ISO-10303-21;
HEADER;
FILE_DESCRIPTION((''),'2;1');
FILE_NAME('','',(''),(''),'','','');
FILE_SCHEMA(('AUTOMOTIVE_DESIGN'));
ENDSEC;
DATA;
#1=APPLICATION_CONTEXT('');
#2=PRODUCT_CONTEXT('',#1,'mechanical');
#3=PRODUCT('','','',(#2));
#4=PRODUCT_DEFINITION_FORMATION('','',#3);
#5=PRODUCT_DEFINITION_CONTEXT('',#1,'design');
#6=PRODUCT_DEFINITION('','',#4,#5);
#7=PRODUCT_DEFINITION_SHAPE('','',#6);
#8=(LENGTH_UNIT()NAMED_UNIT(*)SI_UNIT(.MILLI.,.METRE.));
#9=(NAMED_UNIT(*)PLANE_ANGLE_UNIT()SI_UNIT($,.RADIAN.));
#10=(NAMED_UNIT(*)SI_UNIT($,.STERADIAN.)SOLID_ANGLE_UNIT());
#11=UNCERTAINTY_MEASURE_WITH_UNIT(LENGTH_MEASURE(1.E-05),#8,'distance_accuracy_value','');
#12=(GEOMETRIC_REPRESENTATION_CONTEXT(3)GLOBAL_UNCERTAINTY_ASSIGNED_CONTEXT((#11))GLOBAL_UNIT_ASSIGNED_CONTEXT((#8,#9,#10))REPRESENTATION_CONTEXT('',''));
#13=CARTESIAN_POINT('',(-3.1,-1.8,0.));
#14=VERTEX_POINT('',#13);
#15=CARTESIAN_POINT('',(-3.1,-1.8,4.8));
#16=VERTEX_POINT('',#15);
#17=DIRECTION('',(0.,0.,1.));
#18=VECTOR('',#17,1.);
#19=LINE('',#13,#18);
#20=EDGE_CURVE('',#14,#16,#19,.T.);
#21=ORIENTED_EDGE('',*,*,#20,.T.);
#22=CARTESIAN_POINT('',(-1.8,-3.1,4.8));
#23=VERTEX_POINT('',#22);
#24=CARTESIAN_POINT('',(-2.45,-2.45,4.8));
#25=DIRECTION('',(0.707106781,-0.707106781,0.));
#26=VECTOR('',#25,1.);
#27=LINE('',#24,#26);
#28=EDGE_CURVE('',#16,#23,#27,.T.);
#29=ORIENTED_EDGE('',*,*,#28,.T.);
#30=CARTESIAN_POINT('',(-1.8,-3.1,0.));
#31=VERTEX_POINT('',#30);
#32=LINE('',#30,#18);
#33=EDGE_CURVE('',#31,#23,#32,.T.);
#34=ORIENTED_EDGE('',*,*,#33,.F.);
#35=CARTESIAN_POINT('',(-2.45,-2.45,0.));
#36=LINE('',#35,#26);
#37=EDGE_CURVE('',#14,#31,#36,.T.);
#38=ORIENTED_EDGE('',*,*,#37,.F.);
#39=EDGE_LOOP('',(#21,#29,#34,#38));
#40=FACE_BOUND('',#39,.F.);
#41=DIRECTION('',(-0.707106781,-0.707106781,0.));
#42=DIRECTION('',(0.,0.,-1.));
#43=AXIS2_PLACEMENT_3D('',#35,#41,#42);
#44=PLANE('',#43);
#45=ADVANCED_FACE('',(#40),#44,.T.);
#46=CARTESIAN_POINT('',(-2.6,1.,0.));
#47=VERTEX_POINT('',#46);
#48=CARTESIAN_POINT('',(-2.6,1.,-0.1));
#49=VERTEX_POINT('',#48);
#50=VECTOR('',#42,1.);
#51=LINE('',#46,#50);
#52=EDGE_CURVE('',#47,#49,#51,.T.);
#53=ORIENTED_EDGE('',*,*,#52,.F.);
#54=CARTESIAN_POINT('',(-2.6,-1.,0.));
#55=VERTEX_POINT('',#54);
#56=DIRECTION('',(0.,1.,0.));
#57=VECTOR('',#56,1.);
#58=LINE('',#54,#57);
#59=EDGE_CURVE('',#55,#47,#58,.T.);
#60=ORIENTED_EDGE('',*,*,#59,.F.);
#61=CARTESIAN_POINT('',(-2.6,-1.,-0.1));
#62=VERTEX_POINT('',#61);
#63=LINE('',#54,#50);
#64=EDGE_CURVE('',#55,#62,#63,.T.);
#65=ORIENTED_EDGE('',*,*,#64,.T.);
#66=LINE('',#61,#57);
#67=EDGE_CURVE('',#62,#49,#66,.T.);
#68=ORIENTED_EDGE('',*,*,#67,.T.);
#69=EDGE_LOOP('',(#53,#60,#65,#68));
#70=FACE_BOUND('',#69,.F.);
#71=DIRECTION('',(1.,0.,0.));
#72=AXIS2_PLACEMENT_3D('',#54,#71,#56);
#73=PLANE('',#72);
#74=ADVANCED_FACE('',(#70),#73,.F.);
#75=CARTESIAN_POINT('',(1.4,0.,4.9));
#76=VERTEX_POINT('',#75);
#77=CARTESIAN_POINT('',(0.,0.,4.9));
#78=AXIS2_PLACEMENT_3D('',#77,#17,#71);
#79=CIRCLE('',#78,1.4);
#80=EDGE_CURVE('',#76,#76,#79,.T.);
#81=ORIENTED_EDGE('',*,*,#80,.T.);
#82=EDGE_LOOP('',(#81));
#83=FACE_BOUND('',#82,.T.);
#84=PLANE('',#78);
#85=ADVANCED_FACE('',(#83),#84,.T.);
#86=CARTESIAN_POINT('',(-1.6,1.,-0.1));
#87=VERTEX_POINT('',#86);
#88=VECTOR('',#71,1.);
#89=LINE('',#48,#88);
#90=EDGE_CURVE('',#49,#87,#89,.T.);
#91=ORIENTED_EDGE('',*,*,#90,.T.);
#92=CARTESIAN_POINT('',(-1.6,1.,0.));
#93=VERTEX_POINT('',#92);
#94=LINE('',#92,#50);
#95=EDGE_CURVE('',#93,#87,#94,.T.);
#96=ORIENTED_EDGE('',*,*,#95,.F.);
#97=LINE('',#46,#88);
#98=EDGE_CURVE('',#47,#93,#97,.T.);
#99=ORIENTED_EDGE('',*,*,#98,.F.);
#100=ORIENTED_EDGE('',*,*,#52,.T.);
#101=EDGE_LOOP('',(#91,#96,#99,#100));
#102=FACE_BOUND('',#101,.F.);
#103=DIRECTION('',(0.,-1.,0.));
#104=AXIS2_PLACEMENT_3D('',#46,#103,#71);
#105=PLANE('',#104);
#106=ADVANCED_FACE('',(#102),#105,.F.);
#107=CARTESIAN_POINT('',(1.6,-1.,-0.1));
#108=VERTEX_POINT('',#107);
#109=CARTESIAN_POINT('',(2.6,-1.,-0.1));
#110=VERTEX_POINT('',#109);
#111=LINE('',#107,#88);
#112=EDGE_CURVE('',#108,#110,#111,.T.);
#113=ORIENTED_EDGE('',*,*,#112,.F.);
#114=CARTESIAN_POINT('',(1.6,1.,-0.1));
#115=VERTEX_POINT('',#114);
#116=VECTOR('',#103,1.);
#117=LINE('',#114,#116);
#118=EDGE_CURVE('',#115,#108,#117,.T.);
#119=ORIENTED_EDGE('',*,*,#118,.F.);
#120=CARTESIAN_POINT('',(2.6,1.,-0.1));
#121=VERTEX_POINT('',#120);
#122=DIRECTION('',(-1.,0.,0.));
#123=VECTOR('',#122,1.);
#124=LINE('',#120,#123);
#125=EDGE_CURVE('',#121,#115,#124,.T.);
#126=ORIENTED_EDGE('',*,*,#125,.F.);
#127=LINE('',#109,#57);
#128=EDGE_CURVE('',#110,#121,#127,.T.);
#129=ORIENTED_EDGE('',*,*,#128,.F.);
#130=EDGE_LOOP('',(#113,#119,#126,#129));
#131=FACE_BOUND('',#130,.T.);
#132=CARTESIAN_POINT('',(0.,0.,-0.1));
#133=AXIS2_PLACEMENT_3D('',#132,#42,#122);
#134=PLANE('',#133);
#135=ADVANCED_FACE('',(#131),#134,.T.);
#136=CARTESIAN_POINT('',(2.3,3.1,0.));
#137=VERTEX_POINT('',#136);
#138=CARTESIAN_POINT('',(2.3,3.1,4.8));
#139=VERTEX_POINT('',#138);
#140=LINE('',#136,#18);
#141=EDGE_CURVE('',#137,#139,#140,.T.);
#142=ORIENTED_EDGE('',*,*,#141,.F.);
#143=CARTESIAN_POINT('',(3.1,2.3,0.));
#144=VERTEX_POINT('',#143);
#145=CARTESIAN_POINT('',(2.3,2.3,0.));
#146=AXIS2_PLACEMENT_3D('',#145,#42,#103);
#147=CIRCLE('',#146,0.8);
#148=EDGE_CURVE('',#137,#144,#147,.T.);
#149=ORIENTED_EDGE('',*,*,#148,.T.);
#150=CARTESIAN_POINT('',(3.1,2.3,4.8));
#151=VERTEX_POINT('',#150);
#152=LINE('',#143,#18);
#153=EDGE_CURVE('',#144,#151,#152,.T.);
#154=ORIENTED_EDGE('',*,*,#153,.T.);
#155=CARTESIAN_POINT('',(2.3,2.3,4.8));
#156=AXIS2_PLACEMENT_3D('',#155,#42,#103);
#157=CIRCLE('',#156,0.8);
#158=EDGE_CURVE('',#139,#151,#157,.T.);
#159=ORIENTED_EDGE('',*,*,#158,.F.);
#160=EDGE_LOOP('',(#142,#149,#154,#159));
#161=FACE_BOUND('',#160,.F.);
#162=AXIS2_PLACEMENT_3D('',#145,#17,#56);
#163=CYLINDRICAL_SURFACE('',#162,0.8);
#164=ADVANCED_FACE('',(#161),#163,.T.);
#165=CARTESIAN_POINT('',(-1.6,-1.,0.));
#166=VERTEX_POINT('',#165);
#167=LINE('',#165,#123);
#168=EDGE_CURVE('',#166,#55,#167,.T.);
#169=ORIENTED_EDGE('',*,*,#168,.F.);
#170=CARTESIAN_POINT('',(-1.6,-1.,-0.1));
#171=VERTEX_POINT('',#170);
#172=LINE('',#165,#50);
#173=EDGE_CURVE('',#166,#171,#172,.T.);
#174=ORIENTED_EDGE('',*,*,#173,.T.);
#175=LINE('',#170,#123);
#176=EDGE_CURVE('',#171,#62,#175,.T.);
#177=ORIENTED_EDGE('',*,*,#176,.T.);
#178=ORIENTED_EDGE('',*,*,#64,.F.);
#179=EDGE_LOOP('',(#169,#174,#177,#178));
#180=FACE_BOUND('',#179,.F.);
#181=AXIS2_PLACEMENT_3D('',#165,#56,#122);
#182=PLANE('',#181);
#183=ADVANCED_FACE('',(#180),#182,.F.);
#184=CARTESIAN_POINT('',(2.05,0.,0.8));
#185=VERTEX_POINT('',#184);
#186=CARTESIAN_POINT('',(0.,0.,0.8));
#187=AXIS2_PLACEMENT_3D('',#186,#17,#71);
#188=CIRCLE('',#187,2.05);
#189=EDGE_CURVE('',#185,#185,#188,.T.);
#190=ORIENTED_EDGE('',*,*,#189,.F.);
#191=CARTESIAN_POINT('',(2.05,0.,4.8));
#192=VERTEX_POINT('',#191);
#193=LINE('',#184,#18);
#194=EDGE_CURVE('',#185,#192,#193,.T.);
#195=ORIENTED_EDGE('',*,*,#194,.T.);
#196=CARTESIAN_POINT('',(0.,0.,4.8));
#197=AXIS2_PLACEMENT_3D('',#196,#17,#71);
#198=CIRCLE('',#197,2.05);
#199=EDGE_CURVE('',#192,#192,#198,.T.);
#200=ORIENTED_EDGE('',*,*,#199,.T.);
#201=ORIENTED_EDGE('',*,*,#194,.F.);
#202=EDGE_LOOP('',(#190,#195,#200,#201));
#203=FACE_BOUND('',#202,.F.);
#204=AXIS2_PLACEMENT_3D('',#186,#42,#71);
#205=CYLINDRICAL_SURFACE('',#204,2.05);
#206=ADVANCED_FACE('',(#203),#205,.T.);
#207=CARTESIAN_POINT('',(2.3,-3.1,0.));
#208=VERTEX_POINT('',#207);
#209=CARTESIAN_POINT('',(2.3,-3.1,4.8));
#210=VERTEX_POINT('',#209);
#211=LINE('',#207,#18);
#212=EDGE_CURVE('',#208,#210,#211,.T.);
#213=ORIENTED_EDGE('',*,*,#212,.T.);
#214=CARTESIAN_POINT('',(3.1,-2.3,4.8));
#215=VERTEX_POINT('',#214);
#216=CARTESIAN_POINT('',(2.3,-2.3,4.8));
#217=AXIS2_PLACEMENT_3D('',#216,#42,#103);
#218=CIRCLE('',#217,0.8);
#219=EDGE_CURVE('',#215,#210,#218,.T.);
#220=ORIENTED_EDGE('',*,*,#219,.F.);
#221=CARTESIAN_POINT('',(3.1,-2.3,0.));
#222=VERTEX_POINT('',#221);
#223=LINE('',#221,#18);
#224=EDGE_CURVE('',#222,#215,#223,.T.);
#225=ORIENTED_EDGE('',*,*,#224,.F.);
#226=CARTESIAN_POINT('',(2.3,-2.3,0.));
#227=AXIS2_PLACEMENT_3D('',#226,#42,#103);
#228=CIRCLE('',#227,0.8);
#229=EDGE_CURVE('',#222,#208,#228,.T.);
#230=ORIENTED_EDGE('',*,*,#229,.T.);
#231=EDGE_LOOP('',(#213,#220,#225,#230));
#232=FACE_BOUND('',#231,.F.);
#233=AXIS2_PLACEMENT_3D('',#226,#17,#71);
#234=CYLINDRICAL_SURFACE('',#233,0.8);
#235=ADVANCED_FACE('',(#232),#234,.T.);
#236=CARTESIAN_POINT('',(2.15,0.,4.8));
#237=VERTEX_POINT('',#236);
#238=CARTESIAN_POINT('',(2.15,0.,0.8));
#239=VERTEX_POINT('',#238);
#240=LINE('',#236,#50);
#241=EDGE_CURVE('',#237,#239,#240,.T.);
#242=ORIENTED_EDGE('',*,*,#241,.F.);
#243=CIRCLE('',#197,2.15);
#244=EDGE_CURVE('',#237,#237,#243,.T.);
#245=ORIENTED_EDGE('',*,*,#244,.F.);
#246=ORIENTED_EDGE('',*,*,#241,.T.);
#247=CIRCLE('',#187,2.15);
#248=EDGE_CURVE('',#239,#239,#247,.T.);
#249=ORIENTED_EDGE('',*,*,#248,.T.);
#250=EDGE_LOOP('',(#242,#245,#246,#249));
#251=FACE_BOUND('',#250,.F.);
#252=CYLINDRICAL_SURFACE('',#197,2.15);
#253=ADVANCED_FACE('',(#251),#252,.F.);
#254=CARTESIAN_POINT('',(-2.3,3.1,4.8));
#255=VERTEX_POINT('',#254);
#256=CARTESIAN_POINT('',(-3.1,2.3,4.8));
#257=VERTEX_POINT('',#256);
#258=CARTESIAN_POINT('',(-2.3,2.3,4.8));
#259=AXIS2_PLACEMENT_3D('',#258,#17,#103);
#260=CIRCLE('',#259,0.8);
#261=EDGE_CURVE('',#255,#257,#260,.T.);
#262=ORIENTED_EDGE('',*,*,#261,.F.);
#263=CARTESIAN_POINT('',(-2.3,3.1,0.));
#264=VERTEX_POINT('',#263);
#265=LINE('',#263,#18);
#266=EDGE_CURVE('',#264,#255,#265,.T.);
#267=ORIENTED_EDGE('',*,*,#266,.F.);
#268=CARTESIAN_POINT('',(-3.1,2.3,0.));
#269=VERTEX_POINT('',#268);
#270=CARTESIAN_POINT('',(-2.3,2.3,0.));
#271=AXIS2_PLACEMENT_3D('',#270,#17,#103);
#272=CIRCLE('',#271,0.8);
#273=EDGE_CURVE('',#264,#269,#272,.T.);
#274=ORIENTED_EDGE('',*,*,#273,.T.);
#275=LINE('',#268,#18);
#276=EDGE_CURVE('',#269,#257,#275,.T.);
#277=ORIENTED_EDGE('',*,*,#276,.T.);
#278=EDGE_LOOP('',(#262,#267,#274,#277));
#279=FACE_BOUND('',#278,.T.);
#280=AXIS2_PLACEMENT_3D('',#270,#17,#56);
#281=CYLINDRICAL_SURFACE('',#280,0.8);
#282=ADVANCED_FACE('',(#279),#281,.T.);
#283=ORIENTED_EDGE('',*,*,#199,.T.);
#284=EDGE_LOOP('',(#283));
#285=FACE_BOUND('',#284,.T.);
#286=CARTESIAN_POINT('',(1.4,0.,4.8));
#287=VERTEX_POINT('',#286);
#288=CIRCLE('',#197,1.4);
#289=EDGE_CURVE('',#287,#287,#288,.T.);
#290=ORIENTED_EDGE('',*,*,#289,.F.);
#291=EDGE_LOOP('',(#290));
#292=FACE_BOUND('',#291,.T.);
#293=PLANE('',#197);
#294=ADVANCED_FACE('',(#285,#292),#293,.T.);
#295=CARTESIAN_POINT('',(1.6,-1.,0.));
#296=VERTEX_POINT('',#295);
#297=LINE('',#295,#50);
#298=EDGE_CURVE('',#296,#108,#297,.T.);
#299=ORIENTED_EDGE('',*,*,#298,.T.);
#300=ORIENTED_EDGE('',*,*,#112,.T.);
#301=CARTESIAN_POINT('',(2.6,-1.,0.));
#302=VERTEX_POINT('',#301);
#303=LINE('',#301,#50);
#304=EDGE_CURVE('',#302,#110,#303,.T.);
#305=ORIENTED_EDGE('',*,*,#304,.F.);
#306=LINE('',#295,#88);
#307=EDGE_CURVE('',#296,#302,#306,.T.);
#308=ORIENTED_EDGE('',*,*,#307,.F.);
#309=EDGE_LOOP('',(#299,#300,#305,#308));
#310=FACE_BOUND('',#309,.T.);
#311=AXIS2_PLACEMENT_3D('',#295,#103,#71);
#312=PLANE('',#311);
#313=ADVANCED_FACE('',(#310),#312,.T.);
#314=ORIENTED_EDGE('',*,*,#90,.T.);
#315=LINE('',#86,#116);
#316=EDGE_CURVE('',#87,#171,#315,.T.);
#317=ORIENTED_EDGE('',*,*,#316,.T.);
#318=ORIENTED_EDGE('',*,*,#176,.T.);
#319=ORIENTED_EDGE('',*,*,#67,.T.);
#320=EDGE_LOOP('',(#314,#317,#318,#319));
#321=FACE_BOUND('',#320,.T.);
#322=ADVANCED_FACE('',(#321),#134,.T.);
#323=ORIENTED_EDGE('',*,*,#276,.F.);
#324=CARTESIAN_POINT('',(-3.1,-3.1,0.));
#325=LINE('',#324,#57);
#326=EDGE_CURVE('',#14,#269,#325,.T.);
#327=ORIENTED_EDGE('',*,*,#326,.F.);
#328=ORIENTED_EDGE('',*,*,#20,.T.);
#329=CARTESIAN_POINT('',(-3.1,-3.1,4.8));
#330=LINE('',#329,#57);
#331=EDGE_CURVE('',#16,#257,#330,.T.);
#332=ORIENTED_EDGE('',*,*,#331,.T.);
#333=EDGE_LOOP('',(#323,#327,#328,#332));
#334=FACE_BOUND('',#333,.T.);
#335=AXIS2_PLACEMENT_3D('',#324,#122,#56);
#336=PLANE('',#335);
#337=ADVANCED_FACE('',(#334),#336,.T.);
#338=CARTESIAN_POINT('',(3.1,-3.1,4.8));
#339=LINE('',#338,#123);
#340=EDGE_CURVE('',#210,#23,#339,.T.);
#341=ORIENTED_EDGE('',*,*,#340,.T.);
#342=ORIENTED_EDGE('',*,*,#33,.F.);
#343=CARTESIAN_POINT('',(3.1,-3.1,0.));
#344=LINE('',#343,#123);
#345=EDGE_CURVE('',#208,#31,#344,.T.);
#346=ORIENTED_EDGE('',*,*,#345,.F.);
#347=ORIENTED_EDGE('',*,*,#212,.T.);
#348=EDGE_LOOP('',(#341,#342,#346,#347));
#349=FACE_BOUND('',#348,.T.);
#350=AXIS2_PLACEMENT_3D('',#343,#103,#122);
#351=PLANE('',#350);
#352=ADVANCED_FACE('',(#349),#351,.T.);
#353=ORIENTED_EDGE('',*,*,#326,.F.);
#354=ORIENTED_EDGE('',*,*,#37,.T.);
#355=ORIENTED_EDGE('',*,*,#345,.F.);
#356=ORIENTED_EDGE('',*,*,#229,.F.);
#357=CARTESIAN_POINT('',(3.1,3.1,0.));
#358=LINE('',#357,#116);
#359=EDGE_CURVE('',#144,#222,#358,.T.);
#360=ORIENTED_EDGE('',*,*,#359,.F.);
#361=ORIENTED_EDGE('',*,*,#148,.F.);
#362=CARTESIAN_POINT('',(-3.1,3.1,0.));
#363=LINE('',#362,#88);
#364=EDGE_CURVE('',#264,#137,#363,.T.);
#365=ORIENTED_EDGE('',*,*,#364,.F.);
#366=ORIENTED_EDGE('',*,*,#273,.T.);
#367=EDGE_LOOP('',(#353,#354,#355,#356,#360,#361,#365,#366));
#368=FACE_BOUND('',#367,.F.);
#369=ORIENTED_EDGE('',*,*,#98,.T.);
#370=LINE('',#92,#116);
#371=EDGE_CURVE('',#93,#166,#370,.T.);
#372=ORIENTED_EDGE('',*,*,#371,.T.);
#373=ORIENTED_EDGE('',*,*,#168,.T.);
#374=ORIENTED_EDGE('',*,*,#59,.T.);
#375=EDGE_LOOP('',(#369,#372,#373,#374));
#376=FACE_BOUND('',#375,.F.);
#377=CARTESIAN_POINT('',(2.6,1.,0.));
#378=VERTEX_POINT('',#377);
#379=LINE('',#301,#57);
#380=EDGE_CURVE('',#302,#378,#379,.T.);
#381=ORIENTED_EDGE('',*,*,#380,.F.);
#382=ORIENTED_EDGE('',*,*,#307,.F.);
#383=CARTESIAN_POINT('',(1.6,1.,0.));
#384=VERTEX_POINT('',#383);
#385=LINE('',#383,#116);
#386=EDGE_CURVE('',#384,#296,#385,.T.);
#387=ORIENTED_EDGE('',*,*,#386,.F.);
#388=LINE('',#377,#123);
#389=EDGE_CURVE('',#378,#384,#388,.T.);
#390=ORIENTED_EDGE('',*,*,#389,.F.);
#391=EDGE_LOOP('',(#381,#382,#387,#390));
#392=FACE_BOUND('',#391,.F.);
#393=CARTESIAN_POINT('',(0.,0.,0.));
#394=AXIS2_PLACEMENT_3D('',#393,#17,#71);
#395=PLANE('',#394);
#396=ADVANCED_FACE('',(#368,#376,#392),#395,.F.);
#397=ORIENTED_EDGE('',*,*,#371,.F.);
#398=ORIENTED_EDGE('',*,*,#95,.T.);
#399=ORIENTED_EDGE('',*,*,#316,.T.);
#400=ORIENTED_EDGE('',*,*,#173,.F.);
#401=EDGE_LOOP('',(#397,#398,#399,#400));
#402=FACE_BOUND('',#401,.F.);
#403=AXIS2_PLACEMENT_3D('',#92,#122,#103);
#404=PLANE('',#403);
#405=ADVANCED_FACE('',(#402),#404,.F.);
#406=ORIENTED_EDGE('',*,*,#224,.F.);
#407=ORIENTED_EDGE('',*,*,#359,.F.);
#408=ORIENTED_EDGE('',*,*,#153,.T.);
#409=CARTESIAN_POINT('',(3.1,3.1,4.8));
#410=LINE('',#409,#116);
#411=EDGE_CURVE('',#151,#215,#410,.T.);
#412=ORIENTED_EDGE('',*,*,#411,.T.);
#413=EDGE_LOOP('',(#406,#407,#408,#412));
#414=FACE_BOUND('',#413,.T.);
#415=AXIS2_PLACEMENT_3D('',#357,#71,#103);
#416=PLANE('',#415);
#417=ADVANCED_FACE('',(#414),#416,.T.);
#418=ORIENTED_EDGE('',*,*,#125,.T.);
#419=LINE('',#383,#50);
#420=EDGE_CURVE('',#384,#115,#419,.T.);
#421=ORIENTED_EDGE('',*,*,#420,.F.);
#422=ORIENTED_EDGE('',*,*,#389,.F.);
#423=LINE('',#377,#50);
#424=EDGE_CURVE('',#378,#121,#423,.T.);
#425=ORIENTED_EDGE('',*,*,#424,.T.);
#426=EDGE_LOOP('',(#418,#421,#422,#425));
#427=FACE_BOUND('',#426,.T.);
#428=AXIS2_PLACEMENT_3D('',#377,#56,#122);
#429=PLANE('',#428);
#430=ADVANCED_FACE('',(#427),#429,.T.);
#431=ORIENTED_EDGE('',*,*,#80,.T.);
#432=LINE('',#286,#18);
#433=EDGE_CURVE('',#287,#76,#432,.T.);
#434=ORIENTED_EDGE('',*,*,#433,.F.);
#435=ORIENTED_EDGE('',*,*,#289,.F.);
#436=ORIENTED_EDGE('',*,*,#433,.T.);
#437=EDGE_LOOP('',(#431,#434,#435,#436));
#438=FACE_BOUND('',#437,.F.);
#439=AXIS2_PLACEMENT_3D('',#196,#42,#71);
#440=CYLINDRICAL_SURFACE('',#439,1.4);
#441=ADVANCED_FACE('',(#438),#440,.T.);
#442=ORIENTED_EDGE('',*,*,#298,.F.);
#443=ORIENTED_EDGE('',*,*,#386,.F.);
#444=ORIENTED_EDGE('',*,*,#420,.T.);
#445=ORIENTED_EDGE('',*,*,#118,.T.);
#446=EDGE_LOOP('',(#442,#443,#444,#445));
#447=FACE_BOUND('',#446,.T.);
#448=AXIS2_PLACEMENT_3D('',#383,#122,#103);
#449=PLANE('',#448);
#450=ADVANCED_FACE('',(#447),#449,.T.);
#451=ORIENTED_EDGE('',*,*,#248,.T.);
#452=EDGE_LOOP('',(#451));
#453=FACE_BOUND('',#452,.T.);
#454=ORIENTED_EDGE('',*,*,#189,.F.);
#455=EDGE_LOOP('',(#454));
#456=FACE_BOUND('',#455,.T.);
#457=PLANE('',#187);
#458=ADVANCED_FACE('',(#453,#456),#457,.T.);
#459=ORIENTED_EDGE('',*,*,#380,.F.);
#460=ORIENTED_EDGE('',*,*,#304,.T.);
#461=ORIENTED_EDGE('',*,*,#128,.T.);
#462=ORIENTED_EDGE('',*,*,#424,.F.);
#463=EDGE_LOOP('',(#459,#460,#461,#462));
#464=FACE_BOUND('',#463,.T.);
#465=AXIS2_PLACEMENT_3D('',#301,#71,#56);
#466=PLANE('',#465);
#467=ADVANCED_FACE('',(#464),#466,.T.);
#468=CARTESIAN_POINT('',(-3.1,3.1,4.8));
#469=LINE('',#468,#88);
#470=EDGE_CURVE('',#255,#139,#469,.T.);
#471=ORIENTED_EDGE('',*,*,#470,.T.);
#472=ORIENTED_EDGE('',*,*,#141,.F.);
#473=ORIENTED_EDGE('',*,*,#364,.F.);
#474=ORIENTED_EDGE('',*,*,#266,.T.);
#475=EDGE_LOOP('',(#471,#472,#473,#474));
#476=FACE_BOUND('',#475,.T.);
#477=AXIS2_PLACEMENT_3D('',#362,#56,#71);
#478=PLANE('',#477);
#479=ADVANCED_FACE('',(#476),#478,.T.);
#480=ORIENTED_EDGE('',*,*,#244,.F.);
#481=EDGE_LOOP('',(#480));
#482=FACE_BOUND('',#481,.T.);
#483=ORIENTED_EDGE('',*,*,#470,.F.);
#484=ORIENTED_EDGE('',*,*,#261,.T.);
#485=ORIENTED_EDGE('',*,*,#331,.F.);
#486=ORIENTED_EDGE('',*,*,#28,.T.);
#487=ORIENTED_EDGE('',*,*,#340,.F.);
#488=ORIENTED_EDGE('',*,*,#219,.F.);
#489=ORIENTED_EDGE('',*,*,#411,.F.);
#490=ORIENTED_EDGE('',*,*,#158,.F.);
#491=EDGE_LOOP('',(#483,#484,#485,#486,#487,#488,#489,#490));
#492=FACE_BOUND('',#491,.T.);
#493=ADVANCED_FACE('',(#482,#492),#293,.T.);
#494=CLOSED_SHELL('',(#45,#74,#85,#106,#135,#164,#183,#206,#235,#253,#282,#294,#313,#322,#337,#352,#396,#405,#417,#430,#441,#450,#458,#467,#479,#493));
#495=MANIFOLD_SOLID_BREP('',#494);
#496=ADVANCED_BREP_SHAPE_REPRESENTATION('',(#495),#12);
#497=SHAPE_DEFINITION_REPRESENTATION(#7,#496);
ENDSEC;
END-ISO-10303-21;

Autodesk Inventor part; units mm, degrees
ref_plane "YZ Plane" through (0, 0, 0) normal (1, 0, 0) x (0, 1, 0)
ref_plane "XZ Plane" through (0, 0, 0) normal (0, 1, 0) x (-1, 0, 0)
ref_plane "XY Plane" through (0, 0, 0) normal (0, 0, 1) x (1, 0, 0)
sketch "Эскиз1" plane through (0, 0, 0) normal (0, 0, 1) x (1, 0, 0)
  line L0 (-3.1, 3.1) -> (3.1, 3.1)
  line L1 (3.1, 3.1) -> (3.1, -3.1)
  line L2 (3.1, -3.1) -> (-3.1, -3.1)
  line L3 (-3.1, -3.1) -> (-3.1, 3.1)
  line L4 (-3.1, 3.1) -> (3.1, -3.1) construction
  line L5 (3.1, 3.1) -> (-3.1, -3.1) construction
  point P0 (0, 0)
  dimension "d0" = 6.2
  dimension "d1" = 6.2
extrude "Выдавливание1" add sketch "Эскиз1" along normal blind 4.8
fillet "Сопряжение1" radius 0.8 3 edges at (3.1, 3.1, 2.4) (3.1, -3.1, 2.4) (-3.1, 3.1, 2.4)
chamfer "Фаска1" distance 1.3 angle 45 1 edges at (-3.1, -3.1, 2.4)
sketch "Эскиз2" plane through (0, 0, 4.8) normal (0, 0, 1) x (1, 0, 0)
  circle A0 centre (0, 0) radius 2.05
  circle A1 centre (0, 0) radius 2.15
  dimension "d9" = 4.3
extrude "Выдавливание2" cut sketch "Эскиз2" against normal blind 4 contours A0 | A1
sketch "Эскиз3" plane through (0, 0, 0.8) normal (0, 0, 1) x (1, 0, 0)
  circle A0 centre (0, 0) radius 2.05
  dimension "d12" = 4.1
extrude "Выдавливание3" add sketch "Эскиз3" along normal blind 4
sketch "Эскиз4" plane through (0, 0, 4.8) normal (0, 0, 1) x (1, 0, 0)
  circle A0 centre (0, 0) radius 1.4
  dimension "d15" = 2.8
extrude "Выдавливание4" add sketch "Эскиз4" along normal blind 0.1
sketch "Эскиз5" plane through (0, 0, 0) normal (0, 0, -1) x (-1, 0, 0)
  line L0 (-1.6, -1) -> (-2.6, -1)
  line L1 (-2.6, -1) -> (-2.6, 1)
  line L2 (-2.6, 1) -> (-1.6, 1)
  line L3 (-1.6, 1) -> (-1.6, -1)
  line L4 (-1.6, -1) -> (-2.6, 1) construction
  line L5 (-2.6, -1) -> (-1.6, 1) construction
  line L6 (1.6, -1) -> (2.6, -1)
  line L7 (2.6, -1) -> (2.6, 1)
  line L8 (2.6, 1) -> (1.6, 1)
  line L9 (1.6, 1) -> (1.6, -1)
  line L10 (1.6, -1) -> (2.6, 1) construction
  line L11 (2.6, -1) -> (1.6, 1) construction
  point P0 (0, 0)
  dimension "d28" = 1
  dimension "d29" = 2
  dimension "d31" = 1
  dimension "d32" = 2
extrude "Выдавливание5" add sketch "Эскиз5" along normal blind 0.1
